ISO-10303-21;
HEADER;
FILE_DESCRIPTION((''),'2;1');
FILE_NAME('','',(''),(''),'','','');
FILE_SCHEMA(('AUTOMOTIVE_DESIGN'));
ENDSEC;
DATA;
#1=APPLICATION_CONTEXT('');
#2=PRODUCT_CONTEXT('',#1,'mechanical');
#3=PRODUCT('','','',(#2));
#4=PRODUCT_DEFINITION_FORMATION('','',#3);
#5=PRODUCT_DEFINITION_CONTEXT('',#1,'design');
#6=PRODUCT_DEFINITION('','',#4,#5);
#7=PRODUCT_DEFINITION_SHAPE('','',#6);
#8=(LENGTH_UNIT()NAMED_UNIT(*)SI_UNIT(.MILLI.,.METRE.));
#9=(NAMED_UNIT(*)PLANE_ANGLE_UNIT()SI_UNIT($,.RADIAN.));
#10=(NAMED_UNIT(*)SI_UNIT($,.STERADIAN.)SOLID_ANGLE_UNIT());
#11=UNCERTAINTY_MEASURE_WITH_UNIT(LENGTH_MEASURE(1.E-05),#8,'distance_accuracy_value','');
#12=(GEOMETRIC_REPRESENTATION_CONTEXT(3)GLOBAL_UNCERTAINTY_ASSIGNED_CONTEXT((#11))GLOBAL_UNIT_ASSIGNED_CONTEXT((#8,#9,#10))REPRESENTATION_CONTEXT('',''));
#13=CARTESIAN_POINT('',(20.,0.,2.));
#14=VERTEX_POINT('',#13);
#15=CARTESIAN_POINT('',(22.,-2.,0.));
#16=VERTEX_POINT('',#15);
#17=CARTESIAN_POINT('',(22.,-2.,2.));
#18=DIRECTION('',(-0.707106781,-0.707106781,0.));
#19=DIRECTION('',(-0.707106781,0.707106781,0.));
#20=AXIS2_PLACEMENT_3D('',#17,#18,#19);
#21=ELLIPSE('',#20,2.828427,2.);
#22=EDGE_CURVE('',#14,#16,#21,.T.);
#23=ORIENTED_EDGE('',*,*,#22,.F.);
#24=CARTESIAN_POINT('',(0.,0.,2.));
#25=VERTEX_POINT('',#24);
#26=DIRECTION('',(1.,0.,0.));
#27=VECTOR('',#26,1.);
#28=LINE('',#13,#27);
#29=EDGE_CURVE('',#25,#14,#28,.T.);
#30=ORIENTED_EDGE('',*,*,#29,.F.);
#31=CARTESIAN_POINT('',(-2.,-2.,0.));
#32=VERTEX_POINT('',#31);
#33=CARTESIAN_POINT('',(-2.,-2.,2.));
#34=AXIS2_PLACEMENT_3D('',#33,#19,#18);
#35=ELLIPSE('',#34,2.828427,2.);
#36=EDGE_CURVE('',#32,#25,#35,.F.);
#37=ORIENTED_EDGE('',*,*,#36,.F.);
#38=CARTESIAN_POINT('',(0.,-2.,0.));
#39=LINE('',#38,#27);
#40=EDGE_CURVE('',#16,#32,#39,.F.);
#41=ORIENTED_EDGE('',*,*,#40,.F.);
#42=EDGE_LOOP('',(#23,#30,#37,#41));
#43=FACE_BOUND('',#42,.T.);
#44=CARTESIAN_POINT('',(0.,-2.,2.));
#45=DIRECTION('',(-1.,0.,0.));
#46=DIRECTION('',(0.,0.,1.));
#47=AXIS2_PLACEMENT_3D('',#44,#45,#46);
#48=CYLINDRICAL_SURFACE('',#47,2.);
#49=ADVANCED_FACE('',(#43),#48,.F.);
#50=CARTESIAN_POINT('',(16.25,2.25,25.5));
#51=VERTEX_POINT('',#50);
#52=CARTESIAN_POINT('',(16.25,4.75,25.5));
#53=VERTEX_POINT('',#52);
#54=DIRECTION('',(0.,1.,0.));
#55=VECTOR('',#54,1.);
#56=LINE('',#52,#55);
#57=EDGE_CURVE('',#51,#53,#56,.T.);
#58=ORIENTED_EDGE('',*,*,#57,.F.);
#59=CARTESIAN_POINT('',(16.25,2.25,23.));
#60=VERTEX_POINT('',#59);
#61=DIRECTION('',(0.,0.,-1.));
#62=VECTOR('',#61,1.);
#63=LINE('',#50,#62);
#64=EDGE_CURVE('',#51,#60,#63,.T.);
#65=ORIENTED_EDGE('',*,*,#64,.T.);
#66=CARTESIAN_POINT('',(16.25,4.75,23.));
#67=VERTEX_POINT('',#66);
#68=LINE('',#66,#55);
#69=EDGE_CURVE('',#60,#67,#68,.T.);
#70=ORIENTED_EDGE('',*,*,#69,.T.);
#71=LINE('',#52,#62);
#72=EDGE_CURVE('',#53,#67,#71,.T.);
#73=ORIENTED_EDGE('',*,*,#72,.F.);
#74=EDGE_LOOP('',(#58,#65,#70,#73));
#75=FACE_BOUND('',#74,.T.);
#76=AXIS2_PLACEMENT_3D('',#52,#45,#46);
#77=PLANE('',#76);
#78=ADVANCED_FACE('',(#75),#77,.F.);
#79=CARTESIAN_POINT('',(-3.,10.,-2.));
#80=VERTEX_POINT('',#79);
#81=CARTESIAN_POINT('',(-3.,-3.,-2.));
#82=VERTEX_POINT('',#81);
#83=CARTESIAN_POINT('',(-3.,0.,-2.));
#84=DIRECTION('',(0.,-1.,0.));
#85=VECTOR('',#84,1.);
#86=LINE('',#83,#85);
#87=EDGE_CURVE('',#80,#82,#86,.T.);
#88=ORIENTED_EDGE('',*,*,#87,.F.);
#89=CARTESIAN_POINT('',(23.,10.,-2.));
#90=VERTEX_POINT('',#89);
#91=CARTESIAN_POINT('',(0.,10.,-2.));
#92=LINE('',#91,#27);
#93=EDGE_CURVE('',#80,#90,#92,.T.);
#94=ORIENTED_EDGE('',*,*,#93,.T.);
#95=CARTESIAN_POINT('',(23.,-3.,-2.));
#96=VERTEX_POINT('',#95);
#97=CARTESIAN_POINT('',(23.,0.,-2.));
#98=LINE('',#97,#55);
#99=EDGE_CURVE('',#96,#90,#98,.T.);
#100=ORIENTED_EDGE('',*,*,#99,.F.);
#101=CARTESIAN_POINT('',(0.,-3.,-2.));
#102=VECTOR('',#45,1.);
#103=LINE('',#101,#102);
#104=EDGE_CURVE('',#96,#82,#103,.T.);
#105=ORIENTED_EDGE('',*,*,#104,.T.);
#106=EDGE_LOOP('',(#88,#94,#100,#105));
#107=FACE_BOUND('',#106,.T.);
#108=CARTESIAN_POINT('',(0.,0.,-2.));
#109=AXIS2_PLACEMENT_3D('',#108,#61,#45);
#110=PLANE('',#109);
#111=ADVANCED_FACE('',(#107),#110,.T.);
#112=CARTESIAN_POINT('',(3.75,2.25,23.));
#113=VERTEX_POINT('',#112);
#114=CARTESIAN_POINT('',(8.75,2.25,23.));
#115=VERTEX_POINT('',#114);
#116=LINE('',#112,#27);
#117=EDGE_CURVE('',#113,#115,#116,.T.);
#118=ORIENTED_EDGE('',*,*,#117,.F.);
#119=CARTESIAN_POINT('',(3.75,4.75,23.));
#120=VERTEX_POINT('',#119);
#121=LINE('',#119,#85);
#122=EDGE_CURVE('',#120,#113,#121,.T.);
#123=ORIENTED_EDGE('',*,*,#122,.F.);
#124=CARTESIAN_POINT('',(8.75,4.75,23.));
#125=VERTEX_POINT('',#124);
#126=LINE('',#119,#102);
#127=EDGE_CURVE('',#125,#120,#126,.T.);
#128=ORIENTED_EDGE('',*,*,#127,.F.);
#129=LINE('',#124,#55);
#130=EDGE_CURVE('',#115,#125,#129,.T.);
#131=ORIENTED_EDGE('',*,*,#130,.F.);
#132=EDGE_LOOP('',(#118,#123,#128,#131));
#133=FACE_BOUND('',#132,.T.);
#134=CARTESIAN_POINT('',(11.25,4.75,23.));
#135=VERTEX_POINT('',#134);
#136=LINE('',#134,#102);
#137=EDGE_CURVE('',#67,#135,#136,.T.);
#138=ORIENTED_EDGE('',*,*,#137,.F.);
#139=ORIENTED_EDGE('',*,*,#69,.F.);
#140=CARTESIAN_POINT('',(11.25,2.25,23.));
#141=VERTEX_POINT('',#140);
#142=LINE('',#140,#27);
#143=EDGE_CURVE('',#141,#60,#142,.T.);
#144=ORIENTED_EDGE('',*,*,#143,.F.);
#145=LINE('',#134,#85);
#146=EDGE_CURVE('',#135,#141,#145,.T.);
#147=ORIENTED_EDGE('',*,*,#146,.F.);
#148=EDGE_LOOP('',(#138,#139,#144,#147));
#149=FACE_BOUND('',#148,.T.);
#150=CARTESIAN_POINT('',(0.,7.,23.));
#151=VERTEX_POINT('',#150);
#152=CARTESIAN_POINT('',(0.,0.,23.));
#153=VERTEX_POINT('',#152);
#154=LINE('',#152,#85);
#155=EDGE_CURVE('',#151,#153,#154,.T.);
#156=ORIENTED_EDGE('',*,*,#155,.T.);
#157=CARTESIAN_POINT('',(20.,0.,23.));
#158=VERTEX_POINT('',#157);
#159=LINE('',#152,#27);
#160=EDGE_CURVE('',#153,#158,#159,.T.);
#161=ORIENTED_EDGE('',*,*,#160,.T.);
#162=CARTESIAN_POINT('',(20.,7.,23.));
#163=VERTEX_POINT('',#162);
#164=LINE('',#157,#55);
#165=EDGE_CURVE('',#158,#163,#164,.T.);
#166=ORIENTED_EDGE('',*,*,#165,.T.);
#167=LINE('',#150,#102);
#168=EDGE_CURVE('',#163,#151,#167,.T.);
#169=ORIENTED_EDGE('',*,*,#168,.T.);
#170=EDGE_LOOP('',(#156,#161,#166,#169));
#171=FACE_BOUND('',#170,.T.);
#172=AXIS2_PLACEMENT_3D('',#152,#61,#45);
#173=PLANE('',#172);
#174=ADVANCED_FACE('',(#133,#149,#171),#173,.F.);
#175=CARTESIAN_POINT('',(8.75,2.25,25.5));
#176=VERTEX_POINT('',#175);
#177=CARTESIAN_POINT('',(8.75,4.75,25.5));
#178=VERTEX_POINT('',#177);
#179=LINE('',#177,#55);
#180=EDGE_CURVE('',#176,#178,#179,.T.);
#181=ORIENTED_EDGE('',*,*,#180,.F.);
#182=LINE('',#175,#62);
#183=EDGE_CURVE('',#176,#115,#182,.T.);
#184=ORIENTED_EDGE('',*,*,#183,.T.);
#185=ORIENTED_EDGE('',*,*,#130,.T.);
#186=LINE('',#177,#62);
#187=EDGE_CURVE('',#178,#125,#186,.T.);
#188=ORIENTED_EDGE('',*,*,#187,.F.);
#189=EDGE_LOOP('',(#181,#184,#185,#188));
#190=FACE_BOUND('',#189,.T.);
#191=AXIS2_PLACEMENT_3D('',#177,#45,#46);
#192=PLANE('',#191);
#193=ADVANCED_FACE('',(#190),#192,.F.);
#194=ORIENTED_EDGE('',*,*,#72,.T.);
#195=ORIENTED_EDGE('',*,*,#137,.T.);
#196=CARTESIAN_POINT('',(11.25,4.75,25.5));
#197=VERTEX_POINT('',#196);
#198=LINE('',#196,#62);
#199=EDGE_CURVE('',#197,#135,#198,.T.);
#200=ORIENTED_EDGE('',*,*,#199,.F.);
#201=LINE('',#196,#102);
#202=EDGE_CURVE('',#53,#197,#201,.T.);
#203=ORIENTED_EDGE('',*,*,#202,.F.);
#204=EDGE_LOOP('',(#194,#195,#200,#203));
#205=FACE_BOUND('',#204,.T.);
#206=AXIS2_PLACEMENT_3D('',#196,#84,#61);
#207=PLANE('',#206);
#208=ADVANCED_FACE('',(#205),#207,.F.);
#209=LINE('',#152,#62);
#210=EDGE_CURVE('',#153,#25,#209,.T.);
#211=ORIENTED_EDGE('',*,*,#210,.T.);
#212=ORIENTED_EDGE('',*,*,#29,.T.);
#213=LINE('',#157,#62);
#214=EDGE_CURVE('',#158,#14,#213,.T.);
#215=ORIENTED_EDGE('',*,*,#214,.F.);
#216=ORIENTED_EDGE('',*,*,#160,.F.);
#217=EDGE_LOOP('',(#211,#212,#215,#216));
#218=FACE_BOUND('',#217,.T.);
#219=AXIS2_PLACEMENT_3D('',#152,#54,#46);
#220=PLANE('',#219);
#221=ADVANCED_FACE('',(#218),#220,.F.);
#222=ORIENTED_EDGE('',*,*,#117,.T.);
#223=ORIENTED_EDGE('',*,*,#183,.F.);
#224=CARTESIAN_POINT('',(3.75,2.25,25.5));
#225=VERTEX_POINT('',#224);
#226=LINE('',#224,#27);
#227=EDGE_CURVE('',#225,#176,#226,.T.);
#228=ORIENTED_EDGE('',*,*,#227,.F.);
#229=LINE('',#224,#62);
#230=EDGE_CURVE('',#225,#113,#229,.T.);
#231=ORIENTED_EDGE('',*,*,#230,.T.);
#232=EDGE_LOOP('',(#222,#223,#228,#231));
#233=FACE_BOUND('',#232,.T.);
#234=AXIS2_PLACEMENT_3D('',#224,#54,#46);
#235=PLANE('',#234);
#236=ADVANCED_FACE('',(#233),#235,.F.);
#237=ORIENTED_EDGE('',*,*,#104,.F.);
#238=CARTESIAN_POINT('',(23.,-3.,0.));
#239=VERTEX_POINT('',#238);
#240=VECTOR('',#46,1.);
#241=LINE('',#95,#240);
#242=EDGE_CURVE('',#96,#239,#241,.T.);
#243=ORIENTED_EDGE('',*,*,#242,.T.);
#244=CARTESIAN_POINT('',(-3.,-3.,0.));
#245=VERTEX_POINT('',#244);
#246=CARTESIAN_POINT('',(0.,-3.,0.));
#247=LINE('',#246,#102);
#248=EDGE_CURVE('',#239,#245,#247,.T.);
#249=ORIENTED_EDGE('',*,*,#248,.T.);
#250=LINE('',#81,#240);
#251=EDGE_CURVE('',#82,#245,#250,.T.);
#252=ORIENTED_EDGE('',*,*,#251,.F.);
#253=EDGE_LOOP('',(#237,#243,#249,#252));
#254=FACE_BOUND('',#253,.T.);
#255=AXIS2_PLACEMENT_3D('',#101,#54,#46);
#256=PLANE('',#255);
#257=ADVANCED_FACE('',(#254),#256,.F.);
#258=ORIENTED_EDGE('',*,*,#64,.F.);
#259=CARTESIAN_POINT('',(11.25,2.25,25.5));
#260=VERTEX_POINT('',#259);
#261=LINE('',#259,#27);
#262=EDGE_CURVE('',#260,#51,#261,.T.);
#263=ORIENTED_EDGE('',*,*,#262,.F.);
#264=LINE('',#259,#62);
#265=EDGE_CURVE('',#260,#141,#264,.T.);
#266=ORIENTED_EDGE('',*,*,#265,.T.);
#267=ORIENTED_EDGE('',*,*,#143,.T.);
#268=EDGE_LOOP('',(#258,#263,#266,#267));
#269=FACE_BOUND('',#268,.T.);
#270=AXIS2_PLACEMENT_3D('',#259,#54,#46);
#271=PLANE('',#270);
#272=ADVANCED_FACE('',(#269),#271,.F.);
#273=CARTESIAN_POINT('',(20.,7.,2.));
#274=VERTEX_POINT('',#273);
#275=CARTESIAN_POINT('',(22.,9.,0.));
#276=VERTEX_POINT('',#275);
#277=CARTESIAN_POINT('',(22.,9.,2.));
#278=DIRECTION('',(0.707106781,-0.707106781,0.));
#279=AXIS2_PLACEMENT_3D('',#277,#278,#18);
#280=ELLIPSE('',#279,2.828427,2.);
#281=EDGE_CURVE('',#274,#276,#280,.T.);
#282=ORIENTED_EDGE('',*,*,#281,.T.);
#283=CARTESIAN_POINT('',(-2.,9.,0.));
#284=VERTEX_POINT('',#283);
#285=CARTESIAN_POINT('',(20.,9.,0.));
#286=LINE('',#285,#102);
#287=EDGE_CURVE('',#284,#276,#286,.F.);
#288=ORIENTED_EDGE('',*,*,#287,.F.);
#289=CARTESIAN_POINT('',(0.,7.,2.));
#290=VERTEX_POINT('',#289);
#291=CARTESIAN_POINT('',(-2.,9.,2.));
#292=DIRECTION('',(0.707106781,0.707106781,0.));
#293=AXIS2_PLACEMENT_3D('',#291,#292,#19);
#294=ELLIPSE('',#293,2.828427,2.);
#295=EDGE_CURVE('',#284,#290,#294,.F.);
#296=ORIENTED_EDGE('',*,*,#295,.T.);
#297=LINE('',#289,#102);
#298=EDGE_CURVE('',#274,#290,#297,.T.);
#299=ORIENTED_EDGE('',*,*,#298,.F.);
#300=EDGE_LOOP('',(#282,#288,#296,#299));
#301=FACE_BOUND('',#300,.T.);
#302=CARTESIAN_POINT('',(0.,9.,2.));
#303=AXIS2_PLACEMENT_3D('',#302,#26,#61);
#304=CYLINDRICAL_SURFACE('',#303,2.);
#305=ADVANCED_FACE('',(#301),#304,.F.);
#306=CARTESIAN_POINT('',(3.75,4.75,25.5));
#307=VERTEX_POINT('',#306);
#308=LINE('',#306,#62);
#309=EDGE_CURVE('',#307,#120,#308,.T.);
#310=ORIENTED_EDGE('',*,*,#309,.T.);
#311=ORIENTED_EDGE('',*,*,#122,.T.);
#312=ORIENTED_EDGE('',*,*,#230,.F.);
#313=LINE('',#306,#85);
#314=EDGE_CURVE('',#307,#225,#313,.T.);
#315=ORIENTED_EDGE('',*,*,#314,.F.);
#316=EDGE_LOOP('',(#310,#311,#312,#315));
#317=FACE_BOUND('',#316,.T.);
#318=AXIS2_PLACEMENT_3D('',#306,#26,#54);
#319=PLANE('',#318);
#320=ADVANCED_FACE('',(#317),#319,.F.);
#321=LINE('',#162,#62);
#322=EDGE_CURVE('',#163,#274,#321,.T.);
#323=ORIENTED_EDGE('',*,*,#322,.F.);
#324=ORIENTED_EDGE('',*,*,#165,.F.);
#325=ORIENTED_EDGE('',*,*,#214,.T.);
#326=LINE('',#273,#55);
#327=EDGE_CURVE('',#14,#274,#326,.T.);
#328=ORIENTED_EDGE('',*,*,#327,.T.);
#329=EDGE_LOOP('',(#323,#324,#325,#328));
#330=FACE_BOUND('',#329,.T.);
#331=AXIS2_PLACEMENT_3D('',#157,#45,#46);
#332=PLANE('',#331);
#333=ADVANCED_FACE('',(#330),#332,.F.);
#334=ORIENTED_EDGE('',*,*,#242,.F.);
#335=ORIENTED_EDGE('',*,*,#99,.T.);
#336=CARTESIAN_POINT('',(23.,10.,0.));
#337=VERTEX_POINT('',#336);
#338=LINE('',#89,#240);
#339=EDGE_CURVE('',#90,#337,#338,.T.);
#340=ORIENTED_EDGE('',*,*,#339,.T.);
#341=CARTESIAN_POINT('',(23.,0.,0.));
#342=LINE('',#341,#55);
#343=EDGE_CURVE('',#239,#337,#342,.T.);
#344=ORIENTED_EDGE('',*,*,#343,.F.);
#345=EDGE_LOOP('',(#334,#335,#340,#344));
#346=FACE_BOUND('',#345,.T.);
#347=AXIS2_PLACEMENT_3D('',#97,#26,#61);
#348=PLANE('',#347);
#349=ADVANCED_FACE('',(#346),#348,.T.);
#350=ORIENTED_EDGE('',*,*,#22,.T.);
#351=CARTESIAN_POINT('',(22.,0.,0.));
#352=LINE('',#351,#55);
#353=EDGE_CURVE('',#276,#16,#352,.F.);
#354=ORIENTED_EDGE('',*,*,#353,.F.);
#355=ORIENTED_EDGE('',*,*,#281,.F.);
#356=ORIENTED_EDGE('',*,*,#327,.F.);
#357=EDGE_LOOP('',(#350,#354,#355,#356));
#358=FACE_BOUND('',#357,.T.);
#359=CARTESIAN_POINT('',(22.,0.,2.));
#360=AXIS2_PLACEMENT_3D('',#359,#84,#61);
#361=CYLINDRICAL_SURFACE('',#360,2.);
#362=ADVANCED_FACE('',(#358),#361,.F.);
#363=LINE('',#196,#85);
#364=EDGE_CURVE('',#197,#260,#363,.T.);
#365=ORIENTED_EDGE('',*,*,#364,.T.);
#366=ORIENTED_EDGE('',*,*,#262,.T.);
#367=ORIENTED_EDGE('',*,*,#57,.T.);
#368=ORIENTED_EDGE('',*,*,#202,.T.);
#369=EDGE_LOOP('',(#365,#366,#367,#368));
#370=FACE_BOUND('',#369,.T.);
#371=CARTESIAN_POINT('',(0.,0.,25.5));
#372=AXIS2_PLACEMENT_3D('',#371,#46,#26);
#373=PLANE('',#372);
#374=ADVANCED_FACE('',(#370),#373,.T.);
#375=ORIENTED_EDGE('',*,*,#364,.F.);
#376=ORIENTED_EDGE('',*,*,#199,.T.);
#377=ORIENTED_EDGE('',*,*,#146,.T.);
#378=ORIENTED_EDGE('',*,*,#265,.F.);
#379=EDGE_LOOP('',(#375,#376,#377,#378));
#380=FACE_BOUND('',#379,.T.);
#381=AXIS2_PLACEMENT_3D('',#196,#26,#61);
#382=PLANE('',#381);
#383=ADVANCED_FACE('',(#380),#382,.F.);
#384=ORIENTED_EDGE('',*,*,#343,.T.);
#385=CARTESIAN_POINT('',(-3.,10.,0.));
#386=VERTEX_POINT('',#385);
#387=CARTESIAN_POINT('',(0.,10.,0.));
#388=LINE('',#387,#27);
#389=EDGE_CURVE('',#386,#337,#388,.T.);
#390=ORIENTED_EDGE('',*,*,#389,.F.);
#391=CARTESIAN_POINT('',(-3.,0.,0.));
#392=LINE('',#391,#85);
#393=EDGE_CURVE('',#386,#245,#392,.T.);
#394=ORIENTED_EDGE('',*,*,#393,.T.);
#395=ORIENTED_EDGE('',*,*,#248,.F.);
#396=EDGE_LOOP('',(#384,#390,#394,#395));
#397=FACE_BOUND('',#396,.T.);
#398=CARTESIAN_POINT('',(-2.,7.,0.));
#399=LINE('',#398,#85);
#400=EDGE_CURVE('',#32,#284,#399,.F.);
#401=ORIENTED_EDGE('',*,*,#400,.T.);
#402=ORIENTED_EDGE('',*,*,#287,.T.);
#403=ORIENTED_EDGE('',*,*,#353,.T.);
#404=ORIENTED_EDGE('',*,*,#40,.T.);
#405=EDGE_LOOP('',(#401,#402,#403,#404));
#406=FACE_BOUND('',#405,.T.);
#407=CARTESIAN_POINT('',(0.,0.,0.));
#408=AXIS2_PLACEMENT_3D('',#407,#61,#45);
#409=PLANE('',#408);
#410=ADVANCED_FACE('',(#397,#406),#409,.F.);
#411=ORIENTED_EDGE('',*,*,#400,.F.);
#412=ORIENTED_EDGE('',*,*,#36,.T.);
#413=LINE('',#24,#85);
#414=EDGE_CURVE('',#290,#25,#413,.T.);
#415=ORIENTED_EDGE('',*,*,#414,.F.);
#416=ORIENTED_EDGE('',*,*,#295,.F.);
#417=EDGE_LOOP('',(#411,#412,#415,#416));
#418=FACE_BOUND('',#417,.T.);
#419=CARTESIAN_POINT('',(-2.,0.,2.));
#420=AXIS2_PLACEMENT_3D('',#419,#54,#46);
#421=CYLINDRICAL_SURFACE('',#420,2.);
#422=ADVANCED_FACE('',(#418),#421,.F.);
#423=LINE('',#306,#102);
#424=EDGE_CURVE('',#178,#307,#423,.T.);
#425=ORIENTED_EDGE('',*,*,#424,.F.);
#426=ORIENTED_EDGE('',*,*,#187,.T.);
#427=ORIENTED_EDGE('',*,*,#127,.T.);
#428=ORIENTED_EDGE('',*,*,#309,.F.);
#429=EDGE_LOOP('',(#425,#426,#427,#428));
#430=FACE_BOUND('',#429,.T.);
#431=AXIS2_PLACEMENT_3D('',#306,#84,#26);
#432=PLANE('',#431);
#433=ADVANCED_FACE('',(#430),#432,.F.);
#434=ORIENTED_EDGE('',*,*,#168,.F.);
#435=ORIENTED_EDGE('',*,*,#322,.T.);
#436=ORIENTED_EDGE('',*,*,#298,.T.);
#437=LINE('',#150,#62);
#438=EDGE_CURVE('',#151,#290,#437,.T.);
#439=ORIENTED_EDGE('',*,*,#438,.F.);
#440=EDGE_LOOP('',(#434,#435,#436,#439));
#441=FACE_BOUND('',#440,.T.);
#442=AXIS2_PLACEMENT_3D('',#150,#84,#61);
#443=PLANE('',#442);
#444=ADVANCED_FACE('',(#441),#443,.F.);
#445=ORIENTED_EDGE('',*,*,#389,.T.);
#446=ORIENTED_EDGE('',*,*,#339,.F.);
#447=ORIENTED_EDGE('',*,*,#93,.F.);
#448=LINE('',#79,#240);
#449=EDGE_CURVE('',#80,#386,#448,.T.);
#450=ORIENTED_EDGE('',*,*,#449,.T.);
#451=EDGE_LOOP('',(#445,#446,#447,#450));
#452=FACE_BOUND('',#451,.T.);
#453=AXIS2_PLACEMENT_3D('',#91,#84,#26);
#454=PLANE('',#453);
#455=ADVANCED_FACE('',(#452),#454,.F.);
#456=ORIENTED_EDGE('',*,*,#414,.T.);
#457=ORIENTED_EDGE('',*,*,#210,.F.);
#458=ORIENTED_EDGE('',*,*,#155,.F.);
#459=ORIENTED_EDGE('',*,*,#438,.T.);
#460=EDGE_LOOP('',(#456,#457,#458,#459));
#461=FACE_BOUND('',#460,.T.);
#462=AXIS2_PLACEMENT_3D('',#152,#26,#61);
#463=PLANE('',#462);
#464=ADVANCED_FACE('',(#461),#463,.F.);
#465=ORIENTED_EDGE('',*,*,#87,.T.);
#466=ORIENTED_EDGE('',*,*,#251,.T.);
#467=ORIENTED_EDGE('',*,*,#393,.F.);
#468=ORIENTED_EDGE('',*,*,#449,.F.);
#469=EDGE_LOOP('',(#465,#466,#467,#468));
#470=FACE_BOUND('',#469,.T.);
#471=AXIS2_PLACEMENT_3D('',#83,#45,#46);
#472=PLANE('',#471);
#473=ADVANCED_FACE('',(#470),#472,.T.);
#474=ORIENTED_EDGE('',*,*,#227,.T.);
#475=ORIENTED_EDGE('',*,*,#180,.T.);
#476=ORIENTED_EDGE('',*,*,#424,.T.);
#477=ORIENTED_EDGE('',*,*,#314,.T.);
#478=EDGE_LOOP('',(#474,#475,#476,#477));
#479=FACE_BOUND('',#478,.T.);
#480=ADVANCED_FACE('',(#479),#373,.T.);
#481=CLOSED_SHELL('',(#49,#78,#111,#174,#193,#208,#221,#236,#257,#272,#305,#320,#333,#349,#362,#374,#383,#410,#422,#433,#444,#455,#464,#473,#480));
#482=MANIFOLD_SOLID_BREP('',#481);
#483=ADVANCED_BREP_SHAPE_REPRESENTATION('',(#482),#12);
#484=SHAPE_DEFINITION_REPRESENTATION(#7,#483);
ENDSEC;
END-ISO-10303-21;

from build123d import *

# Parameters (mm, degrees)
ESQUISSE1_W        = 20
ESQUISSE1_H        = 7
BOSS_EXTRU_1_DEPTH = 23
ESQUISSE2_W        = 5
ESQUISSE2_H        = 2.5
BOSS_EXTRU_2_DEPTH = 2.5
ESQUISSE3_W        = 3
ESQUISSE3_H        = 3
ESQUISSE3_W_2      = 20
ESQUISSE3_H_2      = 7
BOSS_EXTRU_3_DEPTH = 2
CONG_1_R           = 2


with BuildPart() as part:
    # Esquisse1 → Boss.-Extru.1 (new body)
    with BuildSketch(Plane.XY):
        with Locations((10, 3.5)):
            Rectangle(ESQUISSE1_W, ESQUISSE1_H)
    extrude(amount=BOSS_EXTRU_1_DEPTH)

    # Esquisse2 → Boss.-Extru.2 (add)
    with BuildSketch(Plane.XY.offset(23)):
        with Locations((6.25, 3.5)):
            Rectangle(ESQUISSE2_W, ESQUISSE2_H)
        with Locations((13.75, 3.5)):
            Rectangle(ESQUISSE2_W, ESQUISSE2_H)
    extrude(amount=BOSS_EXTRU_2_DEPTH)

    # Esquisse3 → Boss.-Extru.3 (add)
    # profile 1 of 3: a face of its own
    with BuildSketch(Plane(origin=(0, 0, 0), x_dir=(-1, 0, 0), z_dir=(0, 0, -1))):
        with Locations((-21.5, 8.5)):
            Rectangle(ESQUISSE3_W, ESQUISSE3_H)
    # profile 2 of 3: a face of its own
    with BuildSketch(Plane(origin=(0, 0, 0), x_dir=(-1, 0, 0), z_dir=(0, 0, -1))):
        Polygon((-20, 10), (-20, 7), (-23, 7), (-23, -3), (3, -3), (3, 10), align=None)
        with Locations((-10, 3.5)):
            Rectangle(ESQUISSE3_W_2, ESQUISSE3_H_2, mode=Mode.SUBTRACT)
    # profile 3 of 3: a face of its own
    with BuildSketch(Plane(origin=(0, 0, 0), x_dir=(-1, 0, 0), z_dir=(0, 0, -1))):
        with Locations((-10, 3.5)):
            Rectangle(ESQUISSE3_W_2, ESQUISSE3_H_2)
    extrude(amount=BOSS_EXTRU_3_DEPTH)

    # Congé1
    cong_1_edges = [part.edges().sort_by_distance(p)[0] for p in [
        (10, 7, 0),
        (20, 3.5, 0),
        (10, 0, 0),
        (0, 3.5, 0),
    ]]
    fillet(cong_1_edges, radius=CONG_1_R)


solid = part.part
